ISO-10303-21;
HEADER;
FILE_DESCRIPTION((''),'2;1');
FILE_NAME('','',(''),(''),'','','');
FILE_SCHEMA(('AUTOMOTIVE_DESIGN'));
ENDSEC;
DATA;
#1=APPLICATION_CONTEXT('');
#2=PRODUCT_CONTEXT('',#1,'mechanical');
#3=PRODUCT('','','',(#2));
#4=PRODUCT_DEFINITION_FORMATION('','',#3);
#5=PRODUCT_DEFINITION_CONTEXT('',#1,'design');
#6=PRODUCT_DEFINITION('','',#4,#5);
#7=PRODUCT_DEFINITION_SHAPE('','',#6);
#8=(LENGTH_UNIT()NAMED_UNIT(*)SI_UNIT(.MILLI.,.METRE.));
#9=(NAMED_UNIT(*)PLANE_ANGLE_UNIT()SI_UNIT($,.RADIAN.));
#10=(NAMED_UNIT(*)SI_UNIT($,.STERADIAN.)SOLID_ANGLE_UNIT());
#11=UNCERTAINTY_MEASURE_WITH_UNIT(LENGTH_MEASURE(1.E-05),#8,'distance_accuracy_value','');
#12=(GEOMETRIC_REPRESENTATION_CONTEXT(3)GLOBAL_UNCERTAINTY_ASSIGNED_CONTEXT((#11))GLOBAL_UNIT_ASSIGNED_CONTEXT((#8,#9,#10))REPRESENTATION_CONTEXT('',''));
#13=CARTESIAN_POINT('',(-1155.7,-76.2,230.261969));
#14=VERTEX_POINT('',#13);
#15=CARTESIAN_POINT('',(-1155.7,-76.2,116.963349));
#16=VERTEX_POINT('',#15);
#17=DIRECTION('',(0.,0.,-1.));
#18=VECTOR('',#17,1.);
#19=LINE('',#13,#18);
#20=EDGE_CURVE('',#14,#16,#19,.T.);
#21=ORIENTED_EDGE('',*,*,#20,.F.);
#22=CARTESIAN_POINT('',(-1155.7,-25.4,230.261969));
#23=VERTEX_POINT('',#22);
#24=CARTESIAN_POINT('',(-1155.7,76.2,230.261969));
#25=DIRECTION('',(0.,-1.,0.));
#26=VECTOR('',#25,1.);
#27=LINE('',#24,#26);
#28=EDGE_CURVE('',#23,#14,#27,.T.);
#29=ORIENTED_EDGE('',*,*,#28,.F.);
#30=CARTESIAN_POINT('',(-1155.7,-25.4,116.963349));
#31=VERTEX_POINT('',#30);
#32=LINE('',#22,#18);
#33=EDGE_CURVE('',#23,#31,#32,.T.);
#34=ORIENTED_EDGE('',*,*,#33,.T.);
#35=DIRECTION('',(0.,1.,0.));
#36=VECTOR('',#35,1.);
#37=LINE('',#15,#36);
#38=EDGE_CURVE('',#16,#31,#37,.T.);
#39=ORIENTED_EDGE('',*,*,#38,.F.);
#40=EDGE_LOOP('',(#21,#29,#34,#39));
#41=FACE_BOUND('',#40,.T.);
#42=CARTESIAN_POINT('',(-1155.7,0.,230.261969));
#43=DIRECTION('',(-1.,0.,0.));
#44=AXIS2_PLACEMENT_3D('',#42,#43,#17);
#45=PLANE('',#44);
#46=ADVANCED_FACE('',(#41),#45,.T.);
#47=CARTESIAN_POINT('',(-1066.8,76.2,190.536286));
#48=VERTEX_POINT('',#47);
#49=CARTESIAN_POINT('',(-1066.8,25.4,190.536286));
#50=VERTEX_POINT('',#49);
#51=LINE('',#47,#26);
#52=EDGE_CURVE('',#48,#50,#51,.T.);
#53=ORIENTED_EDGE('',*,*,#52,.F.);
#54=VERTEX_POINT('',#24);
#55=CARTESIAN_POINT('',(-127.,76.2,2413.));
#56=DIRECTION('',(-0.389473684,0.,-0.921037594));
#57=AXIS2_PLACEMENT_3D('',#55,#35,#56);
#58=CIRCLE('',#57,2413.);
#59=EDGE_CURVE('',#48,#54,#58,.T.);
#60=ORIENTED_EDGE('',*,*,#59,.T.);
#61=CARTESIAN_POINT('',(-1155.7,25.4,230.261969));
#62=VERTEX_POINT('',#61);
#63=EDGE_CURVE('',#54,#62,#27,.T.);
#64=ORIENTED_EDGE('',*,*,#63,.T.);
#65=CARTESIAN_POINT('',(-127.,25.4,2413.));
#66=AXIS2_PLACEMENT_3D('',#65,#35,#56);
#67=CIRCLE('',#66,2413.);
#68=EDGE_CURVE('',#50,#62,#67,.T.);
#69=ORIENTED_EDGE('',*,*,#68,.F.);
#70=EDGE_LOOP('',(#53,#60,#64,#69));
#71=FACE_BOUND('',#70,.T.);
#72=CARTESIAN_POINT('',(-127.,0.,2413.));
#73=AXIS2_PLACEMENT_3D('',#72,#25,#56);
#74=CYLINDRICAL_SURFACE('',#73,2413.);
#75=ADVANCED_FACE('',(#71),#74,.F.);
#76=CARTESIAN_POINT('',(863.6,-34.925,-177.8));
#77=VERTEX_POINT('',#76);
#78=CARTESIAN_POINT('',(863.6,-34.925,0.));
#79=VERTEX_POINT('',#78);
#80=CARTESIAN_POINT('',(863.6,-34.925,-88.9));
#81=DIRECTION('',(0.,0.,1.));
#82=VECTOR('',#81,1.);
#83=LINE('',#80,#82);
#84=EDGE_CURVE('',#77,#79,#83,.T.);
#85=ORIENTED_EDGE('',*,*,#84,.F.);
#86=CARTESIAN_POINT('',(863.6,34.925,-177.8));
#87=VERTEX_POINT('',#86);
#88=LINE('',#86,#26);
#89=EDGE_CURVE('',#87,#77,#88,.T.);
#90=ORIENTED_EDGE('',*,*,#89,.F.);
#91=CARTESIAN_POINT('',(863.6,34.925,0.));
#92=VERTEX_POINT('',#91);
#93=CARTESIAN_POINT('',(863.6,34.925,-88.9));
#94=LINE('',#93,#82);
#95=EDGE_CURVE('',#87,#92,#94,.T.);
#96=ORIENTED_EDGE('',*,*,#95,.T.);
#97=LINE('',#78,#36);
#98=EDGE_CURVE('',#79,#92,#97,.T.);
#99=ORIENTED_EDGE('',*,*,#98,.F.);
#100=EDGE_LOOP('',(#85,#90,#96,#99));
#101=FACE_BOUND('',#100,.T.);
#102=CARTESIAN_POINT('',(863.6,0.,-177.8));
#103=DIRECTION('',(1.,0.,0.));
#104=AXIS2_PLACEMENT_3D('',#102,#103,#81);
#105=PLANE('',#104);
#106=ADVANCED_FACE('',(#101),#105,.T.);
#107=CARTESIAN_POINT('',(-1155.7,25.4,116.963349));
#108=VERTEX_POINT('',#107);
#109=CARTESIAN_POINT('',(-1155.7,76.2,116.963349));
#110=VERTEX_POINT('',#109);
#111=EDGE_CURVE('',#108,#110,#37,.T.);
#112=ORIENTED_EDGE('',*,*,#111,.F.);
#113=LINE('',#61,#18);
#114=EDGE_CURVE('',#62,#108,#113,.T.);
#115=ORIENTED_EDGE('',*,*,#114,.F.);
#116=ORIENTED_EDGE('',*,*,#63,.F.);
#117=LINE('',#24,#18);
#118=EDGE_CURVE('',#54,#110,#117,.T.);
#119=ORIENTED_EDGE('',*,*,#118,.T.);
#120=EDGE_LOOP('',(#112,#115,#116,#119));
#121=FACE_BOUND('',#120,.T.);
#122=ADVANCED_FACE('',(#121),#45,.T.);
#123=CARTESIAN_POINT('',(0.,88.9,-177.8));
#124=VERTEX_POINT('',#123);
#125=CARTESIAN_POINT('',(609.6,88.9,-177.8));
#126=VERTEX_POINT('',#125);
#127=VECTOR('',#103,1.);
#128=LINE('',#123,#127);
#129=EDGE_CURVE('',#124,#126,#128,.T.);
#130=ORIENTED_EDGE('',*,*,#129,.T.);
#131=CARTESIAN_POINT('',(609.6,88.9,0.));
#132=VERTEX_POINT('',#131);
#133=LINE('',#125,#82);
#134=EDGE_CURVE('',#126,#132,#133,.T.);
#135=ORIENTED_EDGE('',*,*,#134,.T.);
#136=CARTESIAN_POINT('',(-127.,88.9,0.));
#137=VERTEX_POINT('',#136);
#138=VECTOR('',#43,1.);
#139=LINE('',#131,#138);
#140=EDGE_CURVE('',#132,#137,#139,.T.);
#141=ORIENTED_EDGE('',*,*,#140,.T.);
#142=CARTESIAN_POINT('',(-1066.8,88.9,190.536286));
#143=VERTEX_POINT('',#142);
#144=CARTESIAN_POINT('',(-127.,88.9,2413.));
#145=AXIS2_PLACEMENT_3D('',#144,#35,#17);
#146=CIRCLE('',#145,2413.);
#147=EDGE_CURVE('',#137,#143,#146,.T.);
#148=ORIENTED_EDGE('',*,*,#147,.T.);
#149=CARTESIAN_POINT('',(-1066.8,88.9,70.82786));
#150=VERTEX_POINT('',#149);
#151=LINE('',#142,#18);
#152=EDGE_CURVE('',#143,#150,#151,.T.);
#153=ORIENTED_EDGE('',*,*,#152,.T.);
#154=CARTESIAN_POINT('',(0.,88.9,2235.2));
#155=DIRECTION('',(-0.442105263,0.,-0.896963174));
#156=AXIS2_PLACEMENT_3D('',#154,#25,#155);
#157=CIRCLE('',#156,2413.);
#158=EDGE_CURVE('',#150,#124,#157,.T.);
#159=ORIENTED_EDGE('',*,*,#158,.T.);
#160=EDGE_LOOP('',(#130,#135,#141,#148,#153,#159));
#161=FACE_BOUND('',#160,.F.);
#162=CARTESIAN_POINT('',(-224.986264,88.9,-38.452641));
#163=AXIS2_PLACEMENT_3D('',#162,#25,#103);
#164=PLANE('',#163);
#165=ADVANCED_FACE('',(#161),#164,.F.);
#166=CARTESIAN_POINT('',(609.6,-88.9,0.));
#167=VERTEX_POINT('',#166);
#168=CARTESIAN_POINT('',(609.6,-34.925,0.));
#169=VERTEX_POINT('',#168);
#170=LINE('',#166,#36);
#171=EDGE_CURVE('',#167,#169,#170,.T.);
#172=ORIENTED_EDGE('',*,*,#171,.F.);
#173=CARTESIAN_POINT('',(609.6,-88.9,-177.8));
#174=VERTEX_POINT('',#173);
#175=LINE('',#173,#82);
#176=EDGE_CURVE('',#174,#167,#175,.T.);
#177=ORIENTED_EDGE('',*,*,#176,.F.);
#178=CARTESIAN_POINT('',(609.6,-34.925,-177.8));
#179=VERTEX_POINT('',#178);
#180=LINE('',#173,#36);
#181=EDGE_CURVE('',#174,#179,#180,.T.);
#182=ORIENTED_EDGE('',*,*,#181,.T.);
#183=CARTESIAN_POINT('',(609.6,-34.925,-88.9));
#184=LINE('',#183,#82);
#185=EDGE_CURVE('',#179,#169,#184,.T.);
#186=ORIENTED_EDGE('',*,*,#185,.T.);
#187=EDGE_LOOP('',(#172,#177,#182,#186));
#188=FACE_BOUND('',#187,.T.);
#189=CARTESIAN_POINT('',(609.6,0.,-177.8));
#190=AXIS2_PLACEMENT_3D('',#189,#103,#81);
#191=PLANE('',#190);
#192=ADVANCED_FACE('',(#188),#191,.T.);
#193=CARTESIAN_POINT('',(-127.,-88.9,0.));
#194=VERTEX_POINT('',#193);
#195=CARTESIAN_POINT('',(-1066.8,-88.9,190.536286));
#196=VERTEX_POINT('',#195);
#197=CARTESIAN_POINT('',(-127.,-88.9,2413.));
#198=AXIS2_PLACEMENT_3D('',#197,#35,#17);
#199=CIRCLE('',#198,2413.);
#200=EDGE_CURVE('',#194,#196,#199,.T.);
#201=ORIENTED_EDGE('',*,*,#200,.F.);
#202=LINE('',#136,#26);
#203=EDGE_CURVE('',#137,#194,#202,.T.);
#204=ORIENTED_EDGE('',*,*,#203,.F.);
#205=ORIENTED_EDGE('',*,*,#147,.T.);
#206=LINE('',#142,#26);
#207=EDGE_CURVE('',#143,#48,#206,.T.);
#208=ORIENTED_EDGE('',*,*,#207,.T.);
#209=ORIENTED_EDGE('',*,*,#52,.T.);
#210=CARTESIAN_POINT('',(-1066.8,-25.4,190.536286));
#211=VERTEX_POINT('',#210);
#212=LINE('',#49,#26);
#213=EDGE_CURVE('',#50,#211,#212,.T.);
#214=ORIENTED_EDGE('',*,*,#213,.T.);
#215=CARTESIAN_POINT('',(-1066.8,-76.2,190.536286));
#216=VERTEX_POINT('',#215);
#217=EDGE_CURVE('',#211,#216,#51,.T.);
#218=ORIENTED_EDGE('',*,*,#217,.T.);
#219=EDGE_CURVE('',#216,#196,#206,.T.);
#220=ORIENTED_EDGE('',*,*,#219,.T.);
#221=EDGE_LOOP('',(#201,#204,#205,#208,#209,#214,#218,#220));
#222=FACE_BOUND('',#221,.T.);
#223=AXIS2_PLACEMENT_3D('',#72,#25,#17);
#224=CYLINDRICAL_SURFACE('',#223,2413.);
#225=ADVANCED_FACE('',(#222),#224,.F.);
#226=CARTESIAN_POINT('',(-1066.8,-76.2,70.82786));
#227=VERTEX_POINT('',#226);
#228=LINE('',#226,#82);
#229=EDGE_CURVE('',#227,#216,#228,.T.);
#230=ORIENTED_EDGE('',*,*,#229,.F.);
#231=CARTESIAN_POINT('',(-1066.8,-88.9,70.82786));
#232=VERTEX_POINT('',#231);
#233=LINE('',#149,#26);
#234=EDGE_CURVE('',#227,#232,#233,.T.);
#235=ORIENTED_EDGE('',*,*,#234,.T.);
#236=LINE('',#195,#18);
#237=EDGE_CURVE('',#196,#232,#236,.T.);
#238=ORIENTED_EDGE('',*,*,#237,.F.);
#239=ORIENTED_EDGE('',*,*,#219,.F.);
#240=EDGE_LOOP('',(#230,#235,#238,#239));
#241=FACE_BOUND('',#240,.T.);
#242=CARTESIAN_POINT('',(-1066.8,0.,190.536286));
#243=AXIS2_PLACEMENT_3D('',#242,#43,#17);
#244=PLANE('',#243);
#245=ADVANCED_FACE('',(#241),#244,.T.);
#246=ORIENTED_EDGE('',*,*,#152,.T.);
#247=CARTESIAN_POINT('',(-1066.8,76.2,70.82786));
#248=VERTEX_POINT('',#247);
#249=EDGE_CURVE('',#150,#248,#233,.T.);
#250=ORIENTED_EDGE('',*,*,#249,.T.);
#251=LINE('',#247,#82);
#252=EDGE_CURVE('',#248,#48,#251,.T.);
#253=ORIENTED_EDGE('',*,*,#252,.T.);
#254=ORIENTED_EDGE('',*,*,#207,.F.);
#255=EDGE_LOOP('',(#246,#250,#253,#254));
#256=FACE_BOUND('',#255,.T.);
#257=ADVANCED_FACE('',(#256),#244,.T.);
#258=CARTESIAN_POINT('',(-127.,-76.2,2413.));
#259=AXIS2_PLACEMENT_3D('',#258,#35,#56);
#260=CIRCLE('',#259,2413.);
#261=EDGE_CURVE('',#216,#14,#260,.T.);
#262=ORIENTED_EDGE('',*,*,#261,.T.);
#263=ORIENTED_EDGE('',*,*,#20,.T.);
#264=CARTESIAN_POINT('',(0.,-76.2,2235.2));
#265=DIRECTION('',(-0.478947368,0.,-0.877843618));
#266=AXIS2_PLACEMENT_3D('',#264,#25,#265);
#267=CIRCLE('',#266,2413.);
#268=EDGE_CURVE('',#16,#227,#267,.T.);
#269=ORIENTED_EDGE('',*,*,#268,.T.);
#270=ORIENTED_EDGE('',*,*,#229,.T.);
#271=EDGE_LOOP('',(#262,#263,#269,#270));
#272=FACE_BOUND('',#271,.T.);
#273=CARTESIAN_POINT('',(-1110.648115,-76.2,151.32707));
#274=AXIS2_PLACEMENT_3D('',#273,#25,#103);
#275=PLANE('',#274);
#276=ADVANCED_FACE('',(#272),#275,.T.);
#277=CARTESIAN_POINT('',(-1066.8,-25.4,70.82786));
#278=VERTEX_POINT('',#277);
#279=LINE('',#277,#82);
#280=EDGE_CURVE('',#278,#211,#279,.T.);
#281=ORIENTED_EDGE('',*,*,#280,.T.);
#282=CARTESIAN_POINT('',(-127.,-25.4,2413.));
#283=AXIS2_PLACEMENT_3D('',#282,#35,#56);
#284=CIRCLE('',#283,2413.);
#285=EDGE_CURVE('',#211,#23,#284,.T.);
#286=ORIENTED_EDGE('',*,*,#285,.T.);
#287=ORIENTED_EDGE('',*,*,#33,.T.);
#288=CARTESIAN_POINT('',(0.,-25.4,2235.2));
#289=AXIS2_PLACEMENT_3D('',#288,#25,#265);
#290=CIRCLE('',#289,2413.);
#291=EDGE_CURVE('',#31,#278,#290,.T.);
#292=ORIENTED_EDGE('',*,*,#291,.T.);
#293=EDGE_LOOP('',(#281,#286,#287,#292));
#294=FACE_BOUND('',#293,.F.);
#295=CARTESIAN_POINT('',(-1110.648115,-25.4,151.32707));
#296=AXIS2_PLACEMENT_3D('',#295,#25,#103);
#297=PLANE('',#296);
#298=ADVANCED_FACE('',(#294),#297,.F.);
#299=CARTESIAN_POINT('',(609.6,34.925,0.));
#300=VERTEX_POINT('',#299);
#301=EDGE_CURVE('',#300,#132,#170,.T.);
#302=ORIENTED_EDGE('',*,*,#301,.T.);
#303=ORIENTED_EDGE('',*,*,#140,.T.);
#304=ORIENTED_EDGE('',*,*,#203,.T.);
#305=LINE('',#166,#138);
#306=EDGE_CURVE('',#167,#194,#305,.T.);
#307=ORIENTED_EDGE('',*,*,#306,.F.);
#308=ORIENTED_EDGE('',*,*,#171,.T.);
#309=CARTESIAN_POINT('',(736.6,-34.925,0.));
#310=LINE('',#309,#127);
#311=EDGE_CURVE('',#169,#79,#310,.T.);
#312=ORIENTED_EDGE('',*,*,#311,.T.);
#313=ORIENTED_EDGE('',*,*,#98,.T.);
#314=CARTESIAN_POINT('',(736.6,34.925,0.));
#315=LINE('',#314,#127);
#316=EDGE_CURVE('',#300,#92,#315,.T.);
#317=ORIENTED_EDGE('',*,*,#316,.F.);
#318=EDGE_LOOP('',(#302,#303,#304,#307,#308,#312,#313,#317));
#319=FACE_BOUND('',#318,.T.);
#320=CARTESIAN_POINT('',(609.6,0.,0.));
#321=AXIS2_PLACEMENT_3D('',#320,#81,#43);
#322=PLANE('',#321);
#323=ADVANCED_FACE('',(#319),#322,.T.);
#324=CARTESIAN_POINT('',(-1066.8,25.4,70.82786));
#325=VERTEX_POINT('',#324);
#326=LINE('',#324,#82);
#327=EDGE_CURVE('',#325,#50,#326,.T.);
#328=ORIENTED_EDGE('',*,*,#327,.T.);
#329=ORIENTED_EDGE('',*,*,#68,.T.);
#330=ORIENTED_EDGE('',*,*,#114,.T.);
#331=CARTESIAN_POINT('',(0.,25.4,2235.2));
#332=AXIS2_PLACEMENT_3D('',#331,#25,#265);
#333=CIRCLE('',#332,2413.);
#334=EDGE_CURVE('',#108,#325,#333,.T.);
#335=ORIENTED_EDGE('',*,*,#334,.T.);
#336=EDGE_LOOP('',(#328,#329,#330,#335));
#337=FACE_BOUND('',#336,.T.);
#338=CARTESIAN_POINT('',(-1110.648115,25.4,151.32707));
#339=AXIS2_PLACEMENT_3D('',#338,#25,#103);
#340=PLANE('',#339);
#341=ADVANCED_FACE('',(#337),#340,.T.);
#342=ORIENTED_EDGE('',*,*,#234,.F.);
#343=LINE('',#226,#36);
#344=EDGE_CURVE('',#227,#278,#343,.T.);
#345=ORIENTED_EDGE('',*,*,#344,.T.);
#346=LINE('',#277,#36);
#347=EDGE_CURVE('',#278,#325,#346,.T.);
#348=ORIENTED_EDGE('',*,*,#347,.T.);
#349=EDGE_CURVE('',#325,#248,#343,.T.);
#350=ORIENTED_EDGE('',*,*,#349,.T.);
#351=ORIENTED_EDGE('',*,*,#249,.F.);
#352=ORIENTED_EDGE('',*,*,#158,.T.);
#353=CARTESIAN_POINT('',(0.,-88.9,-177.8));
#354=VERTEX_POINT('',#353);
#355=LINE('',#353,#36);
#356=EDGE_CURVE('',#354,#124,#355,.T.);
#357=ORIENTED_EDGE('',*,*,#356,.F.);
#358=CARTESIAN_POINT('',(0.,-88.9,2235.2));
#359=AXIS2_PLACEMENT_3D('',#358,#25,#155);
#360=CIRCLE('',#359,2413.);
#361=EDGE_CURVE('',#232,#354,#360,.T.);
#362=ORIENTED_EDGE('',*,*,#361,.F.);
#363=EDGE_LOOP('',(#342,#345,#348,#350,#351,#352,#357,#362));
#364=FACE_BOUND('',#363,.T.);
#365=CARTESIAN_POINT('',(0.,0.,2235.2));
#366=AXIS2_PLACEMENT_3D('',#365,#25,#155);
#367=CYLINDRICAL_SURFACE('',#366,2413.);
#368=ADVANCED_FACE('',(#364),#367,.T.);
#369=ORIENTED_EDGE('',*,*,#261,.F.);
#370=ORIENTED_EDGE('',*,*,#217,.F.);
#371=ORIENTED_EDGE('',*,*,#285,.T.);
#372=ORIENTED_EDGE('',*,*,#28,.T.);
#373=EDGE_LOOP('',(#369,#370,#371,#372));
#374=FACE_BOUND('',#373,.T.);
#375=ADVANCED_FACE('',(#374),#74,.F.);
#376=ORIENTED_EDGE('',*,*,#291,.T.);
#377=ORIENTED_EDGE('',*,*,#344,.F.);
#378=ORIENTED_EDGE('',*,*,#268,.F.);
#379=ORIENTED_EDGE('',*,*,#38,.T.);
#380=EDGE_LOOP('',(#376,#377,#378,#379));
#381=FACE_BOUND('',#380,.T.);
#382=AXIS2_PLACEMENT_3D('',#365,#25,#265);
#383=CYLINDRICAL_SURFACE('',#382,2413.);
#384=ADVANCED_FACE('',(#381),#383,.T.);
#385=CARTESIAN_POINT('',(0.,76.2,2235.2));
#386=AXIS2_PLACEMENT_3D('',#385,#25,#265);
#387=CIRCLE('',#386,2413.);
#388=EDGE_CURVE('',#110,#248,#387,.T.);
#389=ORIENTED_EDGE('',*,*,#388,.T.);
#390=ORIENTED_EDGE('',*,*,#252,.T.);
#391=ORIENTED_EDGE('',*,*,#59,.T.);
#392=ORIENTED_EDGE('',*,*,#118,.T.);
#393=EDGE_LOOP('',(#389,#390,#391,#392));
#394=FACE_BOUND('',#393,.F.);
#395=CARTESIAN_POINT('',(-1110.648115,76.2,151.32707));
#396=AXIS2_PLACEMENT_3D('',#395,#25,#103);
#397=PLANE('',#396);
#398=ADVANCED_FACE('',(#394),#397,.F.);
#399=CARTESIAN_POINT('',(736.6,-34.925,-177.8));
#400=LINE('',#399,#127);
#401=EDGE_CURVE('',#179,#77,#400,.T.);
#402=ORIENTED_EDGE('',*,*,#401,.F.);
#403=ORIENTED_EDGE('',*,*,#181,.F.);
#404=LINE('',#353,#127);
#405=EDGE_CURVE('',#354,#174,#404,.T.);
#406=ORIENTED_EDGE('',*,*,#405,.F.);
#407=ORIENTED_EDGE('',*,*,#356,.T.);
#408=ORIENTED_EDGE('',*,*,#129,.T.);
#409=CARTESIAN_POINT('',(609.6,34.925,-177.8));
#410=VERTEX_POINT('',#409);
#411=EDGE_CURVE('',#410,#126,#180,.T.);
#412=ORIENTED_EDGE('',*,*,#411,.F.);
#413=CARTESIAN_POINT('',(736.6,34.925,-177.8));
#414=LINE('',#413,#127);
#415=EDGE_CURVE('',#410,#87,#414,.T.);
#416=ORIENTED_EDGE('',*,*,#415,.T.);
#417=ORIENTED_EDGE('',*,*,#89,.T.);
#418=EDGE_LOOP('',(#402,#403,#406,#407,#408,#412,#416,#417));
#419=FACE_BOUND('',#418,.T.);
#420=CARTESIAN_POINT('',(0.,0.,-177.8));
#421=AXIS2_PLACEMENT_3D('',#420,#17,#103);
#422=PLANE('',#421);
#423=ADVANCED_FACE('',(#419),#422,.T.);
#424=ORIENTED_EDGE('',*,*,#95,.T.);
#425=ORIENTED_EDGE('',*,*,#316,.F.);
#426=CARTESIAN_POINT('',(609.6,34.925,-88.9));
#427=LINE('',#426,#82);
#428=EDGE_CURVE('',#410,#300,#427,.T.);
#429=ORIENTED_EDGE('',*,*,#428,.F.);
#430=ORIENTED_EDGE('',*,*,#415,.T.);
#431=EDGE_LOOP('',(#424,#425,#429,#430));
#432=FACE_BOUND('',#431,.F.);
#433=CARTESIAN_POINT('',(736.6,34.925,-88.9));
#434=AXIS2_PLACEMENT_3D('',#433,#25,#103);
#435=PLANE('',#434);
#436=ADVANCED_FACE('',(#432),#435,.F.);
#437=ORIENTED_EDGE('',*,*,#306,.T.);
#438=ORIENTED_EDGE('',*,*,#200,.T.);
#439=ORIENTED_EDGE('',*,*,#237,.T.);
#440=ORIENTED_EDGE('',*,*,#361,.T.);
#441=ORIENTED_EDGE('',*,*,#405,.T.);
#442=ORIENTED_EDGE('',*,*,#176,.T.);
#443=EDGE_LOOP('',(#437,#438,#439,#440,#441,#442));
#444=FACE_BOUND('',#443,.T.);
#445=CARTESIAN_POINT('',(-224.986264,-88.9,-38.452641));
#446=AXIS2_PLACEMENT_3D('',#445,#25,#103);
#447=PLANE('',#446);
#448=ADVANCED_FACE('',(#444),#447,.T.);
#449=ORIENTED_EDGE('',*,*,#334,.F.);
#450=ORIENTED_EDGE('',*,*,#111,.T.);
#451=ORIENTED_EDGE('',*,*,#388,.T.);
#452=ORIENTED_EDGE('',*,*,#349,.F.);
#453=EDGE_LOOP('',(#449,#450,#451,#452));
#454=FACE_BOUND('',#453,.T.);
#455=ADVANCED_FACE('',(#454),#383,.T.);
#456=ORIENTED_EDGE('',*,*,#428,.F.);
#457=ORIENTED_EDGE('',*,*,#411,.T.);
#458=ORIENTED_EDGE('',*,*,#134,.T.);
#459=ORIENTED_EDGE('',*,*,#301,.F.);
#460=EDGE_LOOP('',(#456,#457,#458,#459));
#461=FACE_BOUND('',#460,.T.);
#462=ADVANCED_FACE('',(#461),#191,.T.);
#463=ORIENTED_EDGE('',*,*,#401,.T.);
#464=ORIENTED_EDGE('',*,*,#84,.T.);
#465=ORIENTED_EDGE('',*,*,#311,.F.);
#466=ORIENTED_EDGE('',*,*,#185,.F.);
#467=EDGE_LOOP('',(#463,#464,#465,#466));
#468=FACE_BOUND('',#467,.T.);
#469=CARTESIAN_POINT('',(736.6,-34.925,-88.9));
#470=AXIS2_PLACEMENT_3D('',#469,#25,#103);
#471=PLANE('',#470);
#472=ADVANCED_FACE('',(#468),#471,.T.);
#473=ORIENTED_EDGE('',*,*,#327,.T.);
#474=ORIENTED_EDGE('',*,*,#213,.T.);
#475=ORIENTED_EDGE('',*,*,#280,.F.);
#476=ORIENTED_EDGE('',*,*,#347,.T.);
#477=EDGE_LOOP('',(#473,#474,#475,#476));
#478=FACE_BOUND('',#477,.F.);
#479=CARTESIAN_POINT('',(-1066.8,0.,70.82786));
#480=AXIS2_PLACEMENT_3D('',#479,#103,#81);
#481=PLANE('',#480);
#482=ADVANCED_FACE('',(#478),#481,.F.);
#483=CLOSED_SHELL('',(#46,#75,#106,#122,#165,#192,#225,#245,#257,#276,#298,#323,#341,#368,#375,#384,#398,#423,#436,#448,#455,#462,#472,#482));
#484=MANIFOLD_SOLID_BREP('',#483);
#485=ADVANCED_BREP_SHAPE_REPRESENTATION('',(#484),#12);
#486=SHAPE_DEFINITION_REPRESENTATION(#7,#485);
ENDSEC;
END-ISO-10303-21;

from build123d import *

# Parameters (mm, degrees)
F0_W     = 254
F0_H     = 177.8
F1_DEPTH = 34.925
F2_DEPTH = 88.9
F3_DEPTH = 76.2
F4_DEPTH = 25.4


with BuildPart() as f1:
    # F0 (on Front) → F1 (new body, symmetric)
    with BuildSketch(Plane.XZ):
        with Locations((736.6, -88.9)):
            Rectangle(F0_W, F0_H)
    extrude(amount=F1_DEPTH, both=True)

    # F0 (on Front) → F2 (join, symmetric)
    with BuildSketch(Plane.XZ):
        with BuildLine():
            Line((609.6, 0), (-127, 0))
            ThreePointArc((-127, 0), (-606.4601433609, 48.1137509537), (-1066.8, 190.5362860105))
            Line((-1066.8, 190.5362860105), (-1066.8, 70.8278600943))
            ThreePointArc((-1066.8, 70.8278600943), (-547.6947262881, -114.8211673081), (0, -177.8))
            Line((0, -177.8), (609.6, -177.8))
            Line((609.6, -177.8), (609.6, 0))
        make_face()
    extrude(amount=F2_DEPTH, both=True)

    # F0 (on Front) → F3 (join, symmetric)
    with BuildSketch(Plane.XZ):
        with BuildLine():
            Line((-1066.8, 70.8278600943), (-1066.8, 190.5362860105))
            ThreePointArc((-1066.8, 190.5362860105), (-1111.4504024994, 209.9506576069), (-1155.7, 230.2619694521))
            Line((-1155.7, 230.2619694521), (-1155.7, 116.963348915))
            ThreePointArc((-1155.7, 116.963348915), (-1111.4893986594, 93.4342993063), (-1066.8, 70.8278600943))
        make_face()
    extrude(amount=F3_DEPTH, both=True)

    # F0 (on Front) → F4 (cut, symmetric)
    with BuildSketch(Plane.XZ):
        with BuildLine():
            Line((-1066.8, 70.8278600943), (-1066.8, 190.5362860105))
            ThreePointArc((-1066.8, 190.5362860105), (-1111.4504024994, 209.9506576069), (-1155.7, 230.2619694521))
            Line((-1155.7, 230.2619694521), (-1155.7, 116.963348915))
            ThreePointArc((-1155.7, 116.963348915), (-1111.4893986594, 93.4342993063), (-1066.8, 70.8278600943))
        make_face()
    extrude(amount=F4_DEPTH, both=True, mode=Mode.SUBTRACT)


solid = f1.part
